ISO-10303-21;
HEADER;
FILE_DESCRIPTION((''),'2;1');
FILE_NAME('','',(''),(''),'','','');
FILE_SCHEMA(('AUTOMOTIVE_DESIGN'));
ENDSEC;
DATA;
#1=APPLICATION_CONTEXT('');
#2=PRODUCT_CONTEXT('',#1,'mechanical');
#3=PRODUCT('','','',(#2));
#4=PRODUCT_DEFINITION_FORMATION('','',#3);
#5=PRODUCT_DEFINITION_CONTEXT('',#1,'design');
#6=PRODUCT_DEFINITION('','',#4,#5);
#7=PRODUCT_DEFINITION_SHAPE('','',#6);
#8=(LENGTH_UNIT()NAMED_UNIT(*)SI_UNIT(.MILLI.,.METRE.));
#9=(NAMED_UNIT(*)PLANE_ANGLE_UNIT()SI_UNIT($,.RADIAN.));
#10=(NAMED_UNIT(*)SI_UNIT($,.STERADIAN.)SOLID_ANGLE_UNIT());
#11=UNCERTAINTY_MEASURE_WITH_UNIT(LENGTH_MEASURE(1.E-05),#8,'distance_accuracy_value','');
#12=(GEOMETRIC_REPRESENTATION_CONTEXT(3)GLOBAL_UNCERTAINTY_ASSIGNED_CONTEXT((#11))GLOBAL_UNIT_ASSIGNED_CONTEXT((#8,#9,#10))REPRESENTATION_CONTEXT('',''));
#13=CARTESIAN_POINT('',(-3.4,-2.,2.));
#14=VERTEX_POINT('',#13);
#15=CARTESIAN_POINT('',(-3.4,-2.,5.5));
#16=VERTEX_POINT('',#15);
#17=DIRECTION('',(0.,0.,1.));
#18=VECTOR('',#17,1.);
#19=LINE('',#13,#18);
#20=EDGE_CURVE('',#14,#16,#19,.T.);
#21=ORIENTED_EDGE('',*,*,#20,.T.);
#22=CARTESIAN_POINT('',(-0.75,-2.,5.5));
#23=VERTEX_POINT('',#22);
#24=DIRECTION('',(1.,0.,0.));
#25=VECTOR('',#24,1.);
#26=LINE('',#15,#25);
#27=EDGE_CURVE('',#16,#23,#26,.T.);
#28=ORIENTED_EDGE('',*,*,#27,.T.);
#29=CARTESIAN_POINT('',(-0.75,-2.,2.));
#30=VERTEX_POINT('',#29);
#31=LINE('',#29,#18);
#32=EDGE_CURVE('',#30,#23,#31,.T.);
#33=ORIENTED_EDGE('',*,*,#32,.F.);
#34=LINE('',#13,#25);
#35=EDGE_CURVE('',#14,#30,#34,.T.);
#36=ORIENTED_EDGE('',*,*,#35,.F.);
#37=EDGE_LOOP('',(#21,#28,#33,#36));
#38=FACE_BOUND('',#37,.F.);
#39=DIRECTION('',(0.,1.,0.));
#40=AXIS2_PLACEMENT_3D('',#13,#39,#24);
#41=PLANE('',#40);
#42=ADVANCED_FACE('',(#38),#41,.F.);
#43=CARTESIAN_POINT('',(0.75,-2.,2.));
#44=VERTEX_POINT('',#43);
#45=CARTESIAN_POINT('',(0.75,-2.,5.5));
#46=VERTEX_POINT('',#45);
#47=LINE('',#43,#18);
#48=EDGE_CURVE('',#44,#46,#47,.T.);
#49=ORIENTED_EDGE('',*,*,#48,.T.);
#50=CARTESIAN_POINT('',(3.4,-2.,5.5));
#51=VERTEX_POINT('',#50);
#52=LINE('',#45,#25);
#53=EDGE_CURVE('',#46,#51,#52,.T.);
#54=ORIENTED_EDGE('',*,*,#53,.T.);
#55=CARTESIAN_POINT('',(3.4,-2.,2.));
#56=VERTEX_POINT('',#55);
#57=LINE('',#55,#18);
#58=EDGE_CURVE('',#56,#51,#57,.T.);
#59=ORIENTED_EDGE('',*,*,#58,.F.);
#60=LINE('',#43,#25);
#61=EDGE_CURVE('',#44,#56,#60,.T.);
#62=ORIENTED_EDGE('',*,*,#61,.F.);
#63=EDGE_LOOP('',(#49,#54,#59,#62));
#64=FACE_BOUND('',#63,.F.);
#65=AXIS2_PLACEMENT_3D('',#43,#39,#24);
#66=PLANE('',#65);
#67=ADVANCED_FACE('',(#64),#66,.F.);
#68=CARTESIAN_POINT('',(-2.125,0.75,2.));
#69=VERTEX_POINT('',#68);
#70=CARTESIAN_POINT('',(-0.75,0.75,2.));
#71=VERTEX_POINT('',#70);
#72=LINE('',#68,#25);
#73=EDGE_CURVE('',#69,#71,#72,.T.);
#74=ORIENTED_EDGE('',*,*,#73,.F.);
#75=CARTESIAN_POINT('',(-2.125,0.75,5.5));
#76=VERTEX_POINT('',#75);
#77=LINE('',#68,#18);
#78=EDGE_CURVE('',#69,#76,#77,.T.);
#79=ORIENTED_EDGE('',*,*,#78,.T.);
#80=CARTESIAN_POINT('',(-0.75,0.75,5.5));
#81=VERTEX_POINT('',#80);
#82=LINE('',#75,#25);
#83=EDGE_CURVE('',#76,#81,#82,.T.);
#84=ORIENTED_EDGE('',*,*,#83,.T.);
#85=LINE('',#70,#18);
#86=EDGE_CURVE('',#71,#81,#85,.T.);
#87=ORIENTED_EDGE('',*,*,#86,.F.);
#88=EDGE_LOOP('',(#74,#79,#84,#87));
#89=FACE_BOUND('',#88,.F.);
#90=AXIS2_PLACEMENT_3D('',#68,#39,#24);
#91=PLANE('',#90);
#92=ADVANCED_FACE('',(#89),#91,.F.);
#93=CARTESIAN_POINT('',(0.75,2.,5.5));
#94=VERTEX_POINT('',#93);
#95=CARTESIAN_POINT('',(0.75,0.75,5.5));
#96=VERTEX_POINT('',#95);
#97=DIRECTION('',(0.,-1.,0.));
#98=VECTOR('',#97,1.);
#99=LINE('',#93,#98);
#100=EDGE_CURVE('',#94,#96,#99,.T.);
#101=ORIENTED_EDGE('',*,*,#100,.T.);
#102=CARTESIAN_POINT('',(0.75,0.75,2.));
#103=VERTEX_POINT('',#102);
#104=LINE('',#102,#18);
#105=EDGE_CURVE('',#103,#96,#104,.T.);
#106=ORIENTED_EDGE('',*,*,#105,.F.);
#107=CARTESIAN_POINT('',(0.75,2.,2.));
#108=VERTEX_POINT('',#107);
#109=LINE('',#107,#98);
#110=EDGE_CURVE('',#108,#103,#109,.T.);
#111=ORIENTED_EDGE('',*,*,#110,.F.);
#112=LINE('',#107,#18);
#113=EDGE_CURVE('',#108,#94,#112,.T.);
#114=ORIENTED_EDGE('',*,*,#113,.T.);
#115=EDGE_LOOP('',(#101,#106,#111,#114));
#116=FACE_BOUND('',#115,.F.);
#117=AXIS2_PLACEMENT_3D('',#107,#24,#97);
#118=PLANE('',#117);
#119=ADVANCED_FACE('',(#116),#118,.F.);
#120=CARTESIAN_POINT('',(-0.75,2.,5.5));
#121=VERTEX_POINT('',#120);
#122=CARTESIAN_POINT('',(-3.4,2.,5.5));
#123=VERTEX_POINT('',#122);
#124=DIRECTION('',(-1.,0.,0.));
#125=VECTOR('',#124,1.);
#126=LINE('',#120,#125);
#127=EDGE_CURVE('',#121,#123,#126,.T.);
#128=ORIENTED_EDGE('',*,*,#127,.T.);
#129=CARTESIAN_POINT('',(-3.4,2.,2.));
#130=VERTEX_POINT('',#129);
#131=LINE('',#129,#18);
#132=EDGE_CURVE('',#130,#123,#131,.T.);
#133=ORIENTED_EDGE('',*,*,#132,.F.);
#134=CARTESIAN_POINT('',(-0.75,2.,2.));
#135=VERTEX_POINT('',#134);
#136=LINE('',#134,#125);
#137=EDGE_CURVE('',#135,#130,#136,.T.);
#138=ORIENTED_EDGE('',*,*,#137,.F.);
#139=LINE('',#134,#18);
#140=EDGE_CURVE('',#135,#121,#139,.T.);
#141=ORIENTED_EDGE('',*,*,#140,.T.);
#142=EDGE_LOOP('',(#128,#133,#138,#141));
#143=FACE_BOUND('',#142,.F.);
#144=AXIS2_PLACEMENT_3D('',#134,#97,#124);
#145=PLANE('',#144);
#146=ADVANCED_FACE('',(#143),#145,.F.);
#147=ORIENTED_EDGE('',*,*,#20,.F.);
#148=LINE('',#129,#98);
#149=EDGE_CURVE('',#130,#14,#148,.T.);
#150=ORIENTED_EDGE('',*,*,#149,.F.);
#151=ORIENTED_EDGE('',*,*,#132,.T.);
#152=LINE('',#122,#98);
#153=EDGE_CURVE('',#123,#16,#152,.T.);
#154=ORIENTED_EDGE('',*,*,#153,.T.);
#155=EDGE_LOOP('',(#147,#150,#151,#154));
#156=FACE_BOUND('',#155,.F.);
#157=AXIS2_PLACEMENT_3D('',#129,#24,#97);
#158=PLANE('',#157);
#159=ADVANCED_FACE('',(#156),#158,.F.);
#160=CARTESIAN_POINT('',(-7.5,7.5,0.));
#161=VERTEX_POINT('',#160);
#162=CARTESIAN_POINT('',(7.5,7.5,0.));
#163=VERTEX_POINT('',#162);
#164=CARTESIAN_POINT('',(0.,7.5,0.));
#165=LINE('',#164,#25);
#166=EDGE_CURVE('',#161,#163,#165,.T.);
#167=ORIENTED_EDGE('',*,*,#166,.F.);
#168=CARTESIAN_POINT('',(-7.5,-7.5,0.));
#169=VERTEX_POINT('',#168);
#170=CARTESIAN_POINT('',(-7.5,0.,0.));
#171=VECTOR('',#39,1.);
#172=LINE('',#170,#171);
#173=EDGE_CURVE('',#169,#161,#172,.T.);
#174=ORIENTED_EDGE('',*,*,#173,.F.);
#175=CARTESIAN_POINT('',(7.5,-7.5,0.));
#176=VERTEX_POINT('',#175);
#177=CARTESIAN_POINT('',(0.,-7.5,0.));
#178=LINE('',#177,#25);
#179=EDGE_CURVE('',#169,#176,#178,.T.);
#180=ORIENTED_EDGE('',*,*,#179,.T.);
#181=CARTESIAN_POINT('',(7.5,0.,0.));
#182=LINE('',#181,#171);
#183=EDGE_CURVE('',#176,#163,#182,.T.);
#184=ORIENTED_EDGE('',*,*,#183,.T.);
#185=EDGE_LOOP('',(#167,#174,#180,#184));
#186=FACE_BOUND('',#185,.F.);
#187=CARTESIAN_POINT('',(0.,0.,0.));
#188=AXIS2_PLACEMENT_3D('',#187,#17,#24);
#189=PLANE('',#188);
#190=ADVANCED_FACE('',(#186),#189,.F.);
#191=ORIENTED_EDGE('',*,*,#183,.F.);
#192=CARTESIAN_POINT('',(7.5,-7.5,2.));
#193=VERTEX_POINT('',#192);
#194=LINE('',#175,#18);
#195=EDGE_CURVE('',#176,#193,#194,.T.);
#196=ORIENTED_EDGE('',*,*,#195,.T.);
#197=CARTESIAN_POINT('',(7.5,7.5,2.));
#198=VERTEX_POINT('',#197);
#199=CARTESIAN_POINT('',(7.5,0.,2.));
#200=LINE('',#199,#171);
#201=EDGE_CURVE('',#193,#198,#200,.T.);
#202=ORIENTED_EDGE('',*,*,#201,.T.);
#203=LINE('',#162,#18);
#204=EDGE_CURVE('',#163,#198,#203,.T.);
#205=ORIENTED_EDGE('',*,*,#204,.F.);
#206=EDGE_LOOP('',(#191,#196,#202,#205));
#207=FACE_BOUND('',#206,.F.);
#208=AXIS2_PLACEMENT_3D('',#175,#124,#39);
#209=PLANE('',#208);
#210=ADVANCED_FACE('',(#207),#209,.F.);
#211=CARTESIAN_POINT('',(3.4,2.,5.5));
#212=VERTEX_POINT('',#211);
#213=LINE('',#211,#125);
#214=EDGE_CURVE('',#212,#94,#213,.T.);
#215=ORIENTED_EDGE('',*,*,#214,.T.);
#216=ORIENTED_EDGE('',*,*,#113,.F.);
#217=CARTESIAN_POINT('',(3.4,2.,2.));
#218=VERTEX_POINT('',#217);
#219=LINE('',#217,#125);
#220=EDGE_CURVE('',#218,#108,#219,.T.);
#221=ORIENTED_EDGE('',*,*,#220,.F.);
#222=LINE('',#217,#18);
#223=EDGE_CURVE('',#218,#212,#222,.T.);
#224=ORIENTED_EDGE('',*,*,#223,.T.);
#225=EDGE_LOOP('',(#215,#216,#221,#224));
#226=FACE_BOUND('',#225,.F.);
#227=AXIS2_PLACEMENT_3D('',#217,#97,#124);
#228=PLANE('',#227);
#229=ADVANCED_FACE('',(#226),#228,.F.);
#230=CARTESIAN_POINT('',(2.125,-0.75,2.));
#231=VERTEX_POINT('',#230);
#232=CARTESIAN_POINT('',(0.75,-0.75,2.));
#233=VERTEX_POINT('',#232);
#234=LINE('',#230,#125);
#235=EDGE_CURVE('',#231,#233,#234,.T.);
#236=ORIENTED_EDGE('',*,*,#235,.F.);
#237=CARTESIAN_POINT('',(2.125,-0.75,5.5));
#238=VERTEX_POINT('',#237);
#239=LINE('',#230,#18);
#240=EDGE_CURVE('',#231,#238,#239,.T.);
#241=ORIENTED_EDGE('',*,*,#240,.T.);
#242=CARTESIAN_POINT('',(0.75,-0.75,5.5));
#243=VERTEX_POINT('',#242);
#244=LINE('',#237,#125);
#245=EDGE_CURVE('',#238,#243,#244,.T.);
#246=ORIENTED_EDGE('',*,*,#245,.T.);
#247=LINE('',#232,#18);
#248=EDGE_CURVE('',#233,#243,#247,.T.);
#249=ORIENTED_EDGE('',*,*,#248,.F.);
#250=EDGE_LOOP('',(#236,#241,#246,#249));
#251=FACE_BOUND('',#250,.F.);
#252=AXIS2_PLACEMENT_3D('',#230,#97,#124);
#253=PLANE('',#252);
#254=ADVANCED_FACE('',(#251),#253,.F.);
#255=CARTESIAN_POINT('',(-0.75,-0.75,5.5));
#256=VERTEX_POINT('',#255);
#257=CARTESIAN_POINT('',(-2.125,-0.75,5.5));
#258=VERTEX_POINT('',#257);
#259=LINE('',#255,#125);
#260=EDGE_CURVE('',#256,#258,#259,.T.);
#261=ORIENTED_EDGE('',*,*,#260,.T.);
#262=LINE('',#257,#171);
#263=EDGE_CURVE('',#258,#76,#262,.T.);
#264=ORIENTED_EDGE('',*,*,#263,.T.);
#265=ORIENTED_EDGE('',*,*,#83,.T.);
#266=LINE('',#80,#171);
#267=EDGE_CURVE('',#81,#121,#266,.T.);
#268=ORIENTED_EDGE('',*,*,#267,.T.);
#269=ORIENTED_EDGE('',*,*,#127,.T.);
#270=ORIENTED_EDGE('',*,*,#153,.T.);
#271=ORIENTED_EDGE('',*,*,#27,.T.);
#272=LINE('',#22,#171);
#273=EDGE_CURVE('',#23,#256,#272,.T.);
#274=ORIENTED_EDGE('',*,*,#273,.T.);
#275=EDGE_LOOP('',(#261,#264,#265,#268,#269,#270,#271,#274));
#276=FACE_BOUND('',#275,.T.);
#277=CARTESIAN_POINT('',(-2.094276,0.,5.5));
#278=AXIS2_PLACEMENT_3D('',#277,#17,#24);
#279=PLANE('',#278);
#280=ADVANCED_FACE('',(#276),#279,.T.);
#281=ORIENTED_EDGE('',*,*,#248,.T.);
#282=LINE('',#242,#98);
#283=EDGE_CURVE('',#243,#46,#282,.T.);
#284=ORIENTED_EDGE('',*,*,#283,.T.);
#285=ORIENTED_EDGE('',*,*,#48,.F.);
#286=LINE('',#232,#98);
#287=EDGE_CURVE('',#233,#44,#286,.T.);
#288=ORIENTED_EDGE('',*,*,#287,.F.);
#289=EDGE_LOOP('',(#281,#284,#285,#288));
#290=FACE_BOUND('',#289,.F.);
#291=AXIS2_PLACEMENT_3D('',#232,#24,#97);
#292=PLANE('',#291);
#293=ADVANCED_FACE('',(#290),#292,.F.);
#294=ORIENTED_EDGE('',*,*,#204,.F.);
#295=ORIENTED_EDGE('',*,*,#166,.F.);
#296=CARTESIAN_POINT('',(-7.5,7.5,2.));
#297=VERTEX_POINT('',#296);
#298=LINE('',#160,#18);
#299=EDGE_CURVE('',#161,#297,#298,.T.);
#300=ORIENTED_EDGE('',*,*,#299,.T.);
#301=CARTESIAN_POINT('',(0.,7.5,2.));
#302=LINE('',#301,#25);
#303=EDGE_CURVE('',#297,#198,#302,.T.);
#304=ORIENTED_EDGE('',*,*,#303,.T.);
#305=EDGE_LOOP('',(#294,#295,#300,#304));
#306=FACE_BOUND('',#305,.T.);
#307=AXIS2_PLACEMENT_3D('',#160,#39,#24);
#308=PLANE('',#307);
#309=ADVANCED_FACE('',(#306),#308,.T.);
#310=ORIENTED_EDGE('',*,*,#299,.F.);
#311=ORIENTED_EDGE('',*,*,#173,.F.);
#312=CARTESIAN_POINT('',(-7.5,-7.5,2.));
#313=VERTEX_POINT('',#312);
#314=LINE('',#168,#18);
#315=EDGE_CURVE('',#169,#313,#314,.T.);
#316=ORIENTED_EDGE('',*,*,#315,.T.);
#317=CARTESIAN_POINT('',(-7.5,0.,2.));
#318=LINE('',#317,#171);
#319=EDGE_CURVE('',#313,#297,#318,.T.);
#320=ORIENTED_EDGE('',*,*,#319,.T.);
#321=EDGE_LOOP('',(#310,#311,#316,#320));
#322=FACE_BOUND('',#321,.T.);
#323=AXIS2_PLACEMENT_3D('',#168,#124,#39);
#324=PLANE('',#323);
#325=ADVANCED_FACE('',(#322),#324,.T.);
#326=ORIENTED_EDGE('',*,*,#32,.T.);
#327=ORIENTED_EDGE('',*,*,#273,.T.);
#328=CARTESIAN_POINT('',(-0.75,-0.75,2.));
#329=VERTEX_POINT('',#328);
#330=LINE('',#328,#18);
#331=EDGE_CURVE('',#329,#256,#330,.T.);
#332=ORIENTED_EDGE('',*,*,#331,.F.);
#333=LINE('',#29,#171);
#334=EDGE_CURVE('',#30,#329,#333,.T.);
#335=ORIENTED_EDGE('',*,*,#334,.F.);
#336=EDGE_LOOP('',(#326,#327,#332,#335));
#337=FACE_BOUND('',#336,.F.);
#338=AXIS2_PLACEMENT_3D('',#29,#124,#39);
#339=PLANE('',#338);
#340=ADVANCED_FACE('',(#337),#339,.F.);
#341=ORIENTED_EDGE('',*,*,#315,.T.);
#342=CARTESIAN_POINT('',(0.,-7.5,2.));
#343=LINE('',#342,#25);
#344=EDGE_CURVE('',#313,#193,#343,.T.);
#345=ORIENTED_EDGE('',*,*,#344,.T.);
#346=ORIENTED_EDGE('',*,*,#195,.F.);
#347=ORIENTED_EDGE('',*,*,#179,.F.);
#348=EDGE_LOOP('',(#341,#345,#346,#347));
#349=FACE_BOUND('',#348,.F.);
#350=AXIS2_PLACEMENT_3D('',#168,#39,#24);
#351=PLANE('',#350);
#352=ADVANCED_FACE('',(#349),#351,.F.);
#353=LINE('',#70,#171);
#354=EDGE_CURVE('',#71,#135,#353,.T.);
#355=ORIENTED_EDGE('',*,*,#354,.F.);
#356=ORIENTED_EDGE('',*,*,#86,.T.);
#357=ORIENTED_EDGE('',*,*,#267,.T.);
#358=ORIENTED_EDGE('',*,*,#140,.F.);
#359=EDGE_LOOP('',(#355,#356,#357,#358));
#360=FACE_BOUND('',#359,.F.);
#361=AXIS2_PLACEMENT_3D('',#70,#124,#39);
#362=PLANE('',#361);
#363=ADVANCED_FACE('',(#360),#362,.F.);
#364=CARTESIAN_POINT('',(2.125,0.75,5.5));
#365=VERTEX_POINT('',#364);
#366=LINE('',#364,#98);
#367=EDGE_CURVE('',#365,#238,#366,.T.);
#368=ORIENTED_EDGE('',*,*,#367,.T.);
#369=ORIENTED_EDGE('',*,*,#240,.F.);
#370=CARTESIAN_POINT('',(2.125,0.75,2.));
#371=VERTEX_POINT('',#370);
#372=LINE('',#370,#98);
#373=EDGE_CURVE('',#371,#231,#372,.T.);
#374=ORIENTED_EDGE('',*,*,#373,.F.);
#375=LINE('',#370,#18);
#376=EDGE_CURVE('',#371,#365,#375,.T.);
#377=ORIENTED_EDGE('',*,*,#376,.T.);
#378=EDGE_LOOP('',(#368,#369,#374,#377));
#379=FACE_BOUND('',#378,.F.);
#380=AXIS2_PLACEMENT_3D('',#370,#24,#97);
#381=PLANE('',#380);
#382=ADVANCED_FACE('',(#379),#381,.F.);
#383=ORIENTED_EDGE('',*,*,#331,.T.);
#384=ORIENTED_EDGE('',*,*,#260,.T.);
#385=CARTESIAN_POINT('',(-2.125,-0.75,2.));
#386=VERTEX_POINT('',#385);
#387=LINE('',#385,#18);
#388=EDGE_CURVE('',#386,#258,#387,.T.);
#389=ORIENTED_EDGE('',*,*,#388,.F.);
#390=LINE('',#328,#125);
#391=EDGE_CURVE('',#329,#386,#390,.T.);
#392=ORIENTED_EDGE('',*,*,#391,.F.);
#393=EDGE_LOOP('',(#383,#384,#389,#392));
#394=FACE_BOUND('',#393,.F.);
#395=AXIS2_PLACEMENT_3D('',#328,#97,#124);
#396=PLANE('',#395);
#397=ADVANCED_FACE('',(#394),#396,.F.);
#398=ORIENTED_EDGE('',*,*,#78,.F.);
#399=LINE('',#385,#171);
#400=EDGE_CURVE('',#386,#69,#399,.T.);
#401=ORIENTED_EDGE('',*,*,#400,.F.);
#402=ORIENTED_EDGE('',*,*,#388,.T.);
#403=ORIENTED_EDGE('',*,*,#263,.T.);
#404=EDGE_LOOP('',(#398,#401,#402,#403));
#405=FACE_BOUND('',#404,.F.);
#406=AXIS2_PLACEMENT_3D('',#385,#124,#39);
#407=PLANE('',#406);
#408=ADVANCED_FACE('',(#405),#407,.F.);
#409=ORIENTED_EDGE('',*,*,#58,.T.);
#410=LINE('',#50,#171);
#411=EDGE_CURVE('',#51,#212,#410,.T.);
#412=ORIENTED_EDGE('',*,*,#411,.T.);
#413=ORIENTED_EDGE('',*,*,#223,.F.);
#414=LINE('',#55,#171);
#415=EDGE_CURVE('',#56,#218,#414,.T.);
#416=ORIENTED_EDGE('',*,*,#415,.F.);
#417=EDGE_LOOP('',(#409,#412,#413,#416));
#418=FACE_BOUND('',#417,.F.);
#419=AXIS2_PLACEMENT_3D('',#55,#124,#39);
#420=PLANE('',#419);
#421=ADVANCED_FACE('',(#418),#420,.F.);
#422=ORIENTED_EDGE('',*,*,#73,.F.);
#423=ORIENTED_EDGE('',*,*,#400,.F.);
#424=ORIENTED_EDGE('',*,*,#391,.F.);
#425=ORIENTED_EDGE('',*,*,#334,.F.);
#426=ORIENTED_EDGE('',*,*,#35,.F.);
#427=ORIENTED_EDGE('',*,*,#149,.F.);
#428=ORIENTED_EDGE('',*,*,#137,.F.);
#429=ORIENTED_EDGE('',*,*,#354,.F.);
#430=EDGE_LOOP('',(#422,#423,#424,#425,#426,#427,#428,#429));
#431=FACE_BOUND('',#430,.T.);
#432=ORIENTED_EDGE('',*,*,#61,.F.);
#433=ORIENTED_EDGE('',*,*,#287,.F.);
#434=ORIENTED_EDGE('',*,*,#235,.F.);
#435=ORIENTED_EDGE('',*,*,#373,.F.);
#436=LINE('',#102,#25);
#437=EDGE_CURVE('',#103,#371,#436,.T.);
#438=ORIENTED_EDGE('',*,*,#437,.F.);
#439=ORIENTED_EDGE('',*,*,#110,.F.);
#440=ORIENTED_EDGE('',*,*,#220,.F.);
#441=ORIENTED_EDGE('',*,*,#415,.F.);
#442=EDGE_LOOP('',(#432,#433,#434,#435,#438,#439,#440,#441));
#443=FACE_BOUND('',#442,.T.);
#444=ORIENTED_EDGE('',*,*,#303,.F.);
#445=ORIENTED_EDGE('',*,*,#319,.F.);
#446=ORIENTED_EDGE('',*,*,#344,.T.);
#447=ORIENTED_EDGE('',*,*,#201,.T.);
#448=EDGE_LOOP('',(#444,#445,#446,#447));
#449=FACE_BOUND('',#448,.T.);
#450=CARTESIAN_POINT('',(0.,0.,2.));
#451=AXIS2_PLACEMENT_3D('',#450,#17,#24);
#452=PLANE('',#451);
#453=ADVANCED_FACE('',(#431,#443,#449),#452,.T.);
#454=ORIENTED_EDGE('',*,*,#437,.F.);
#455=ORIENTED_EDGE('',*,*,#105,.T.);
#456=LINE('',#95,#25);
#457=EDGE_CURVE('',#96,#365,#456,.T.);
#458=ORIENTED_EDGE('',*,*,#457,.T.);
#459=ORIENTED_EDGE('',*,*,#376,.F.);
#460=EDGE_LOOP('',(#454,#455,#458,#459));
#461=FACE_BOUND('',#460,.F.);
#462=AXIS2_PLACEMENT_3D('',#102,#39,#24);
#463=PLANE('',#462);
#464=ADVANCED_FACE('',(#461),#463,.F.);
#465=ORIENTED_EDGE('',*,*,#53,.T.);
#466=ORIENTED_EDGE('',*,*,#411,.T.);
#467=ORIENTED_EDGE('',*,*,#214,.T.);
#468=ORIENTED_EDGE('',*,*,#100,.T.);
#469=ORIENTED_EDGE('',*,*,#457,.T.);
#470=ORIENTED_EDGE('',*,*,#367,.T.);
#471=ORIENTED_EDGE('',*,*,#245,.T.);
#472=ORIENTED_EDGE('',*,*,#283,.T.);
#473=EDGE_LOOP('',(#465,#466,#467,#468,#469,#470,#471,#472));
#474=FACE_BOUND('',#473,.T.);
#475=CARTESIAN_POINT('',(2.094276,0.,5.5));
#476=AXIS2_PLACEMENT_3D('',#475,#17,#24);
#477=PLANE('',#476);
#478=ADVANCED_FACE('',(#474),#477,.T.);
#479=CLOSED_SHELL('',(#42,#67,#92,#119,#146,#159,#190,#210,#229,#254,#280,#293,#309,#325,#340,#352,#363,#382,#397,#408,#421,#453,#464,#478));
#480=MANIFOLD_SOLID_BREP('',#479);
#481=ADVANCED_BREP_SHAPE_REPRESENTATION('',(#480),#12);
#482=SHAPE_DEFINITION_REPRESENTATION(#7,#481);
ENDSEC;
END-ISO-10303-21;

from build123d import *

# Parameters (mm, degrees)
F0_W     = 15
F0_H     = 15
F1_DEPTH = 2
F3_DEPTH = 3.5


with BuildPart() as f1:
    # F0 (on Top) → F1 (new body)
    with BuildSketch(Plane.XY):
        Rectangle(F0_W, F0_H)
    extrude(amount=F1_DEPTH)

    # F2 (on face) → F3 (join)
    with BuildSketch(Plane.XY.offset(2)):
        Polygon((-3.4, -2), (-0.75, -2), (-0.75, -0.75), (-2.125, -0.75), (-2.125, 0.75), (-0.75, 0.75), (-0.75, 2), (-3.4, 2), align=None)
        Polygon((0.75, -2), (3.4, -2), (3.4, 2), (0.75, 2), (0.75, 0.75), (2.125, 0.75), (2.125, -0.75), (0.75, -0.75), align=None)
    extrude(amount=F3_DEPTH)


solid = f1.part
